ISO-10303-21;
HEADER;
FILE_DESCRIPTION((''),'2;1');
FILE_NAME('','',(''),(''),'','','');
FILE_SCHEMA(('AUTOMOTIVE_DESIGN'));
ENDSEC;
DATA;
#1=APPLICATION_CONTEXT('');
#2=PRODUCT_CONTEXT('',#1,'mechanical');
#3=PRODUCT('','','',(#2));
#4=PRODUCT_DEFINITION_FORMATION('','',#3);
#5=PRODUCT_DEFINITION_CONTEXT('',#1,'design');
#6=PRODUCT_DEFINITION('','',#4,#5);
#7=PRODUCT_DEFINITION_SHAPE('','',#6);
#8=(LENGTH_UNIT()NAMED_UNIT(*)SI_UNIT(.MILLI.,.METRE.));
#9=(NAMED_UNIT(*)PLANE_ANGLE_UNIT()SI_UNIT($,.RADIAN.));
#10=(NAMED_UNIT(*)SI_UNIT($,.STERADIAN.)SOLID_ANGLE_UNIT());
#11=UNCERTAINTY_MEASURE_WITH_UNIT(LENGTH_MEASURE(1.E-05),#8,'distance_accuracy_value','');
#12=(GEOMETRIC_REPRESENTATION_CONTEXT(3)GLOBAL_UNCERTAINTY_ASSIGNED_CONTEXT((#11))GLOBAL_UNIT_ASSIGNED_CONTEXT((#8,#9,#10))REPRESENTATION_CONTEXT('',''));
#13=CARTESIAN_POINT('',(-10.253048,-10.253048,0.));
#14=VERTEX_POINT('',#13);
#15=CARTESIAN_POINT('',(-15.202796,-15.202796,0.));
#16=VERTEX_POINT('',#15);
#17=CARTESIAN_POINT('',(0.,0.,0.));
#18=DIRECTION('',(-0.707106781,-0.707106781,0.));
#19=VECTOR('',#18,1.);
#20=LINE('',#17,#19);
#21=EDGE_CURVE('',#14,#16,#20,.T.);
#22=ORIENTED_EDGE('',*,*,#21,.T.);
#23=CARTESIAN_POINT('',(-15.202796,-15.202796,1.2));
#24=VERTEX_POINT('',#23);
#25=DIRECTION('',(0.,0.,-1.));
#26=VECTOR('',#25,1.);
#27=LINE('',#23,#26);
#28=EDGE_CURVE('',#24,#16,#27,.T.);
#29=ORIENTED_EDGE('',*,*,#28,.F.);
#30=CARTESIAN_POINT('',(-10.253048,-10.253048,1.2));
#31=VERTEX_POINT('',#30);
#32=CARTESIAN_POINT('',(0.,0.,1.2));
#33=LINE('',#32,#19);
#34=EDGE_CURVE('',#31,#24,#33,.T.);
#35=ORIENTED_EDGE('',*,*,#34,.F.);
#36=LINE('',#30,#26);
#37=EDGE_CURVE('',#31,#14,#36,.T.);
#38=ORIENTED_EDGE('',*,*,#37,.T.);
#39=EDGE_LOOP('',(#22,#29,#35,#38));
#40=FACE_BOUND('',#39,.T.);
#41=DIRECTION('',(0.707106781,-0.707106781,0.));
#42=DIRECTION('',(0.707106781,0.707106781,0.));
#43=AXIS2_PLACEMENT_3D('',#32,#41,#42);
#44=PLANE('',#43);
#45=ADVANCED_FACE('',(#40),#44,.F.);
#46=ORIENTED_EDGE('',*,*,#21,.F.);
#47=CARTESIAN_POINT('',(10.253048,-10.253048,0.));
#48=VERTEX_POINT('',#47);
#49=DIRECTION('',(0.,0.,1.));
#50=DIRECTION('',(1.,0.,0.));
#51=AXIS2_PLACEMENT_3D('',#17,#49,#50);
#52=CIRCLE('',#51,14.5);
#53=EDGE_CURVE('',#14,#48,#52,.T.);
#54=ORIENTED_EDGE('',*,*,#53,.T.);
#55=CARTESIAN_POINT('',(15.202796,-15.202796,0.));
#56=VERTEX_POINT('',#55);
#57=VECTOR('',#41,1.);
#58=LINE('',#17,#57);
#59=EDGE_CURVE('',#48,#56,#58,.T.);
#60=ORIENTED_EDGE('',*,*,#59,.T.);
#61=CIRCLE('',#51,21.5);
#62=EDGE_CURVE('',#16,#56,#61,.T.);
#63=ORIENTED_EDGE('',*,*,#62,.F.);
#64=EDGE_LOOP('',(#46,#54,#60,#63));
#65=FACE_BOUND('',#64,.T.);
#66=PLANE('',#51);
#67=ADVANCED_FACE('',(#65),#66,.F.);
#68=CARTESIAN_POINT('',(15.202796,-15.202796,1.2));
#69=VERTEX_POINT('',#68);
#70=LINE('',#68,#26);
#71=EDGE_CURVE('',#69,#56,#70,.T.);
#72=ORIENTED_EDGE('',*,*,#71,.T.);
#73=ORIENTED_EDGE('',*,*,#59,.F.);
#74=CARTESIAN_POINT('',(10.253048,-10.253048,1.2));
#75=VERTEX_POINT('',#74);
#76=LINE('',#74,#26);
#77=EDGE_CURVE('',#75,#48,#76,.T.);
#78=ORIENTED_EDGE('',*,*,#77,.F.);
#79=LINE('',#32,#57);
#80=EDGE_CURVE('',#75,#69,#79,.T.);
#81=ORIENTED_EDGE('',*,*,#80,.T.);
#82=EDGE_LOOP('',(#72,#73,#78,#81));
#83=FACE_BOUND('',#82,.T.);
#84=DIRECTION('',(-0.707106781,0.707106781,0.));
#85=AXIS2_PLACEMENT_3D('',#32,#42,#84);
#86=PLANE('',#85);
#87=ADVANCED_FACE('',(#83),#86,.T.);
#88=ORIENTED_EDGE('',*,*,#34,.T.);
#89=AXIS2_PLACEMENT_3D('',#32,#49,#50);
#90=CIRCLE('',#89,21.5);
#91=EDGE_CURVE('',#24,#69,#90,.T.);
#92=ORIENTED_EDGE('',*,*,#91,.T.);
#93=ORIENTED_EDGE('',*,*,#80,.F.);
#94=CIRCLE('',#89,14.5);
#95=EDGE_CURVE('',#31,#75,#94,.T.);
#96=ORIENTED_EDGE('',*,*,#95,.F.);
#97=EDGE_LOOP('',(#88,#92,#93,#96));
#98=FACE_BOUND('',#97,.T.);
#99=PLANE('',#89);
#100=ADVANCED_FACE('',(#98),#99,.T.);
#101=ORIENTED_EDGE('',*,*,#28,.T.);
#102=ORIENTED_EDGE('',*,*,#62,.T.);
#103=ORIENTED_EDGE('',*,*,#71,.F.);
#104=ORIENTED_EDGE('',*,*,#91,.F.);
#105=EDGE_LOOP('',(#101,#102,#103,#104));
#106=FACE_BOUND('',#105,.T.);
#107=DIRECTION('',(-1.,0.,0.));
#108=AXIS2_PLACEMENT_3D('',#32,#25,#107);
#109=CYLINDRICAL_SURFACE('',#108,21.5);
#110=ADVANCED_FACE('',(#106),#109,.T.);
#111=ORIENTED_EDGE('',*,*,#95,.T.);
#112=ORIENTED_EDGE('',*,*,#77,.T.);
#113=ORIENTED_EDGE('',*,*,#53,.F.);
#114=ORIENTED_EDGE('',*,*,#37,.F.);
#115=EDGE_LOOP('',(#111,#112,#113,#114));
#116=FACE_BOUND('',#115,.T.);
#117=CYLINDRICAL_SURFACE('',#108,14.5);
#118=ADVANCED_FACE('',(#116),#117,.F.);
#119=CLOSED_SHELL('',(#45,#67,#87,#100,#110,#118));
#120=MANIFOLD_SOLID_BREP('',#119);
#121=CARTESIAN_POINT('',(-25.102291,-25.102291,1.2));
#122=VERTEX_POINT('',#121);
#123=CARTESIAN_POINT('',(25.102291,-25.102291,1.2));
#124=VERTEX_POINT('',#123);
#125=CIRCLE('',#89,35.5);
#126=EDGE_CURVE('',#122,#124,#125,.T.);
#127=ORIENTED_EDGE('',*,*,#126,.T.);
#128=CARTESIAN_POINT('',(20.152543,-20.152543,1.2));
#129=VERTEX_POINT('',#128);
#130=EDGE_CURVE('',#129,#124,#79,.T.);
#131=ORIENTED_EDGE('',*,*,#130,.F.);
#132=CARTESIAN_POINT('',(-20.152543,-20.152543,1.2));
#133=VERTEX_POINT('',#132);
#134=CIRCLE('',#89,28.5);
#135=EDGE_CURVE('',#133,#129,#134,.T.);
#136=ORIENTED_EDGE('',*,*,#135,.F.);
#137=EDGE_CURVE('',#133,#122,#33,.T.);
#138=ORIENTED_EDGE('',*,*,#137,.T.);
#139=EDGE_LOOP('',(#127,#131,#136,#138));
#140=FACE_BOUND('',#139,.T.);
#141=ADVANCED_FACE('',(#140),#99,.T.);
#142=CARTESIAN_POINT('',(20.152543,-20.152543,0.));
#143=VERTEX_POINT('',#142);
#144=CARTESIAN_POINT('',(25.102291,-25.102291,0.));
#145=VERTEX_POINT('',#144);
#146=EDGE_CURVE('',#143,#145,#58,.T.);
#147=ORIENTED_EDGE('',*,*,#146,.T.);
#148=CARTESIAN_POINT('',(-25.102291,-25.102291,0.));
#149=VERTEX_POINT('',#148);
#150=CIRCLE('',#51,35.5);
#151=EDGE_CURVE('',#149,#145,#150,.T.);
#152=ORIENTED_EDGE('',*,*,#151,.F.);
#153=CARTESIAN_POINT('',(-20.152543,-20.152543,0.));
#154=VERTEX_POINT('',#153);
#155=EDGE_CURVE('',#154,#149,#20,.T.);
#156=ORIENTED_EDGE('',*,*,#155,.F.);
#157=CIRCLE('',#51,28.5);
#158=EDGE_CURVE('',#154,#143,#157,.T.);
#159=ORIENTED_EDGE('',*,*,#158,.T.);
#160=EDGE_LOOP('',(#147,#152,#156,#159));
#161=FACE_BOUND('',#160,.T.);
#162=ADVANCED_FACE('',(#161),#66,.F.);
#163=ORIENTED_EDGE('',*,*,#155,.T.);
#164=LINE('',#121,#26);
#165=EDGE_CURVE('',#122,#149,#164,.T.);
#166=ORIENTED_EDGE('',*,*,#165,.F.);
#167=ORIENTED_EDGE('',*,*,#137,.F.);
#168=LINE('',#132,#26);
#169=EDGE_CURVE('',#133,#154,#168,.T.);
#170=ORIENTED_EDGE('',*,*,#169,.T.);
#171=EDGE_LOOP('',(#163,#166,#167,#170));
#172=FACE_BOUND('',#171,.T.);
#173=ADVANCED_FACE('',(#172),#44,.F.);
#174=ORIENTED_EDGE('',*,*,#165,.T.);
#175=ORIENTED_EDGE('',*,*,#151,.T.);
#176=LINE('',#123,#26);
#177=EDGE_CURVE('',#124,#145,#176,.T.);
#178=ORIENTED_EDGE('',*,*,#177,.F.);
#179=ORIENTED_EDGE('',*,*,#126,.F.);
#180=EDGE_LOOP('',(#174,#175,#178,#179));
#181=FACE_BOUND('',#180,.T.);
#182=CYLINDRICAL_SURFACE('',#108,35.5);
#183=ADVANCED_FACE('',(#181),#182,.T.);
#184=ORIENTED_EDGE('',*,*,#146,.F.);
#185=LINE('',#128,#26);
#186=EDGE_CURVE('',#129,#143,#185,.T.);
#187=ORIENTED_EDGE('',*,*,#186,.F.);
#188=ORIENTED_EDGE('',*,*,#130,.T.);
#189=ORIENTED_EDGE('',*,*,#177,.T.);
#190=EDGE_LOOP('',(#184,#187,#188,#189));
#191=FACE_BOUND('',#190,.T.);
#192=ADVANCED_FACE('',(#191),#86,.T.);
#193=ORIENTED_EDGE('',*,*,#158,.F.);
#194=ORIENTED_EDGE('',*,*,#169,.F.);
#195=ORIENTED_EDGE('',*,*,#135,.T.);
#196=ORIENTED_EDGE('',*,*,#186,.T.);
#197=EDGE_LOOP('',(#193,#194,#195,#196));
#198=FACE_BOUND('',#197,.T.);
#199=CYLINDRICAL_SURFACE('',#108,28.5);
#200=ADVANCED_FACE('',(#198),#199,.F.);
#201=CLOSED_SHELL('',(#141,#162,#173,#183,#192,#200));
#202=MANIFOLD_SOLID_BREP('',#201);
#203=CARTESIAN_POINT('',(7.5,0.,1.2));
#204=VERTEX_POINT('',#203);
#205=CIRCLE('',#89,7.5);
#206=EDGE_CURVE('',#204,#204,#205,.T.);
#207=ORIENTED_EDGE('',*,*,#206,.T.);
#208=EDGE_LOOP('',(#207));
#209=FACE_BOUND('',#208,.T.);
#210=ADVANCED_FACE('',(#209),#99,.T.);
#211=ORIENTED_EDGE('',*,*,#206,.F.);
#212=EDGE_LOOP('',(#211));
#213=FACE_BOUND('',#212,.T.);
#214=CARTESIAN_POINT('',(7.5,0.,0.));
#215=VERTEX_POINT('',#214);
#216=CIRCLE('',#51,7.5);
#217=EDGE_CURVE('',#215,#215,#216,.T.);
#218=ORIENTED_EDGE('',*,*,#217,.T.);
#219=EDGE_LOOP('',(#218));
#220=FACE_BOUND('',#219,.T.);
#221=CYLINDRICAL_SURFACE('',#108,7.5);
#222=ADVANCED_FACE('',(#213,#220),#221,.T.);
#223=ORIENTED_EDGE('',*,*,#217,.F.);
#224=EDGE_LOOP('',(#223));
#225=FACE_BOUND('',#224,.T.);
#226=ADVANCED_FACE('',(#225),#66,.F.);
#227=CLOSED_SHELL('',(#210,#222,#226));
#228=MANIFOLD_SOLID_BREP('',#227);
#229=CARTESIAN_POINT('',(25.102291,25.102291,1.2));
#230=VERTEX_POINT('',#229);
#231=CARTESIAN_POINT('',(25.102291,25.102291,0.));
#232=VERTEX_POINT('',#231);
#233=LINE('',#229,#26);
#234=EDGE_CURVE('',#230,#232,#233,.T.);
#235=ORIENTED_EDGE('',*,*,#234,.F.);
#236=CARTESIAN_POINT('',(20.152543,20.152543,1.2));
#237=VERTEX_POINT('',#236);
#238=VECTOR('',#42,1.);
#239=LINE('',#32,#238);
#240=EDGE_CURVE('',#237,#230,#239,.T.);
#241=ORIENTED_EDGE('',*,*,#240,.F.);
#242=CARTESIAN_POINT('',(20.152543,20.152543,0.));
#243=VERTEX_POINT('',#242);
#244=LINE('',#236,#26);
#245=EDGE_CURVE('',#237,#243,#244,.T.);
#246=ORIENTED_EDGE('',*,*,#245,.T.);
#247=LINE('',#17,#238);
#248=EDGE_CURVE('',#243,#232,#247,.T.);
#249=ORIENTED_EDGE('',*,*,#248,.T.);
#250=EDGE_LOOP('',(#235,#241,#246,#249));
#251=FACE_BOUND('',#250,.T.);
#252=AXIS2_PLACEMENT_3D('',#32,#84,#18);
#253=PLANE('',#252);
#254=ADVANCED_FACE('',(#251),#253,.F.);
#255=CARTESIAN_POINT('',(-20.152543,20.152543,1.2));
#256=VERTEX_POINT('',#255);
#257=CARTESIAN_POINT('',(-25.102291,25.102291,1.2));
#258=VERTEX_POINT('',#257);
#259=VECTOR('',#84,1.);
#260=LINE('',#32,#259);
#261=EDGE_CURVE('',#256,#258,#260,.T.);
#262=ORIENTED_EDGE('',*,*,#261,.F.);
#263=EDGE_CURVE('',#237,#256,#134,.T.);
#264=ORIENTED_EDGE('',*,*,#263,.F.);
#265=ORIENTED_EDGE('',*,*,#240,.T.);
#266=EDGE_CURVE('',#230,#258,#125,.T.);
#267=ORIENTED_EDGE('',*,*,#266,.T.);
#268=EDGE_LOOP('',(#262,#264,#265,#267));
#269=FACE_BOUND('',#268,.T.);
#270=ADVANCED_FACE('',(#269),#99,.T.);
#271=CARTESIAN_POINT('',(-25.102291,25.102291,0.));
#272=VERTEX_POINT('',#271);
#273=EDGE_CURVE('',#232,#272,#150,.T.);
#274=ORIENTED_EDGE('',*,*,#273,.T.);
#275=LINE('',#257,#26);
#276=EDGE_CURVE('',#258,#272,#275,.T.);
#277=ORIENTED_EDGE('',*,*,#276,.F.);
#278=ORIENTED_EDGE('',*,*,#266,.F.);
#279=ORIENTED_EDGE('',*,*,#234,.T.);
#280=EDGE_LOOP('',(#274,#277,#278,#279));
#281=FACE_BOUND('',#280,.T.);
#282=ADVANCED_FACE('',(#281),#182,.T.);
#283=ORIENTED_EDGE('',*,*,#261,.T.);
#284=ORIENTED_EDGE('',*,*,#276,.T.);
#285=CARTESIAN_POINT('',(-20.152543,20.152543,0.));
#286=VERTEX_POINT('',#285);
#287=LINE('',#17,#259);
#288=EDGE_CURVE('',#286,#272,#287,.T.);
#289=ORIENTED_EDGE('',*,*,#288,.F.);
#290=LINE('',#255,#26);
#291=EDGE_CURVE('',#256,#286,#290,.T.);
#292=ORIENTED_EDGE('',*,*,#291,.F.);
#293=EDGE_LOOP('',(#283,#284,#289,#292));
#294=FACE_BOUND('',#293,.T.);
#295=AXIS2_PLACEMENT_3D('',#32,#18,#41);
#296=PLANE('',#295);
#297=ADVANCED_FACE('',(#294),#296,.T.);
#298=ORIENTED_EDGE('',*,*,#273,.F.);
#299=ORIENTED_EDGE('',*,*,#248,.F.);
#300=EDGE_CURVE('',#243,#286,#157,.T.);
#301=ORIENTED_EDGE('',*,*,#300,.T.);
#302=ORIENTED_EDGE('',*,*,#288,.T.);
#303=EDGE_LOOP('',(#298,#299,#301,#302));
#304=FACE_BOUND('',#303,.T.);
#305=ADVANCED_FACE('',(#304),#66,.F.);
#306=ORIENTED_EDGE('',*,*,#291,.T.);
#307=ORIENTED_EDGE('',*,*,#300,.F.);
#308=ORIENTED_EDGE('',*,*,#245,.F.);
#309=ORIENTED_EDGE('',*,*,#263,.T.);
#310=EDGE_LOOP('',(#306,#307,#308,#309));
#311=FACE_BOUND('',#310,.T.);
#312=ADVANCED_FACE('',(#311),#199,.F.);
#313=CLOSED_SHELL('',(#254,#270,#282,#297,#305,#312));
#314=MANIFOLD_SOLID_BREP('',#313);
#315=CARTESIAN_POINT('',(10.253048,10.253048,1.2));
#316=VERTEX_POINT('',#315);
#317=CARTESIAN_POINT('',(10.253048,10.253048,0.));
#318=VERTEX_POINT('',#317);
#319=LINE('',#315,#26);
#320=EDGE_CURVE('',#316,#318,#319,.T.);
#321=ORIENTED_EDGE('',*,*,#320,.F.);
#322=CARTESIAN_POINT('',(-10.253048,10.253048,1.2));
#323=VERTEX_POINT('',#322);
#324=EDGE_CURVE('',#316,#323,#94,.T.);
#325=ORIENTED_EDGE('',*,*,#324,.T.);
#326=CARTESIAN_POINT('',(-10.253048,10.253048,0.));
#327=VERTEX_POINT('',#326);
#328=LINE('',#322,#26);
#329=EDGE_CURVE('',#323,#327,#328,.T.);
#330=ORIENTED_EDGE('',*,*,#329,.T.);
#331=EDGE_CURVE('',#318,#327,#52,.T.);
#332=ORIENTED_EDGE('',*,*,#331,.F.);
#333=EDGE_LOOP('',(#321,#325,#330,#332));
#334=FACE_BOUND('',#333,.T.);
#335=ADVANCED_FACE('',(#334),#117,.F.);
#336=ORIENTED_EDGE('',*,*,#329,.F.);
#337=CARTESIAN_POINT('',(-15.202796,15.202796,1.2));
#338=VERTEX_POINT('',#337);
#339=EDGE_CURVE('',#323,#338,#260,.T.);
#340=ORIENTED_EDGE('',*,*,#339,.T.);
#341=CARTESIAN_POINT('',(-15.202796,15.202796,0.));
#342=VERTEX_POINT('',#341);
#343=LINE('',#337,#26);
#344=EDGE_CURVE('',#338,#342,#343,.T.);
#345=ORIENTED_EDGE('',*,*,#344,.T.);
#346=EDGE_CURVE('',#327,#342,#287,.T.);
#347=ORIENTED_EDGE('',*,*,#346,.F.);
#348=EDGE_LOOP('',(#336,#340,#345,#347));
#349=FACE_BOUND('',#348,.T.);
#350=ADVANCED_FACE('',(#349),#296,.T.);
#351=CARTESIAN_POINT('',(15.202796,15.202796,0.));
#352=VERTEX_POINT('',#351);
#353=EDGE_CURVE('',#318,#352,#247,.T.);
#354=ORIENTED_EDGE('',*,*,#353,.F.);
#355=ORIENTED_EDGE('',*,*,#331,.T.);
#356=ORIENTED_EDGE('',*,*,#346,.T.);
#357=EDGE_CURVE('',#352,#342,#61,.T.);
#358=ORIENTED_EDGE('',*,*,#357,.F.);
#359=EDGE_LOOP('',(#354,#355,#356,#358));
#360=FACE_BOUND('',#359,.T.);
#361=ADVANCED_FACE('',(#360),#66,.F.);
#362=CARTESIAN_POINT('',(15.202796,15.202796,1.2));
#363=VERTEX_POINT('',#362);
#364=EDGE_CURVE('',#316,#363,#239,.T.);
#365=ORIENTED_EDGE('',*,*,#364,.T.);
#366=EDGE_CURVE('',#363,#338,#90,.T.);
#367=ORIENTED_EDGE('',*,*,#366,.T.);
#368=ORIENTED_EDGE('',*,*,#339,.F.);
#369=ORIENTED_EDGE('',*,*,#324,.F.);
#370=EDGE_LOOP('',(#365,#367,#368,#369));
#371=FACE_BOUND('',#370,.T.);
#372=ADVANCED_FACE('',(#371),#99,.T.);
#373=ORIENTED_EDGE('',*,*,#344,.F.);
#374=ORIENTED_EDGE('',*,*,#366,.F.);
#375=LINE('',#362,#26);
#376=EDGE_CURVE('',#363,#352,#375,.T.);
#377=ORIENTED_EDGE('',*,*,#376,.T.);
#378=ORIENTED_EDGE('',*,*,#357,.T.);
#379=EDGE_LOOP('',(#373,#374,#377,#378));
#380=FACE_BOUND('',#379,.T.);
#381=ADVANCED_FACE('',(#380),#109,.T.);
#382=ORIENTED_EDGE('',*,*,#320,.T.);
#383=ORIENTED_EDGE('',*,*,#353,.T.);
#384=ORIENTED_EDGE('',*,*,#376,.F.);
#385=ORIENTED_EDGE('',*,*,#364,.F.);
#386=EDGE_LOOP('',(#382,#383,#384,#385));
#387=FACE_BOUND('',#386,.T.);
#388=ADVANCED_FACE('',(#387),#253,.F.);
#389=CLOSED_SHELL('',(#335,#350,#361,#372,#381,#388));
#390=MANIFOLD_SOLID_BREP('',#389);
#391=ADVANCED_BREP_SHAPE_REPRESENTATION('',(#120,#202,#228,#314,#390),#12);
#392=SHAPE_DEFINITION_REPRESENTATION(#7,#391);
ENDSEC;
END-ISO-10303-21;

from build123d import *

# Parameters (mm, degrees)
SKICA1_R                  = 7.5
P_IDAT_VYSUNUT_M1_DEPTH   = 1.2
P_IDAT_VYSUNUT_M1_2_DEPTH = 1.2
P_IDAT_VYSUNUT_M1_3_DEPTH = 1.2
P_IDAT_VYSUNUT_M1_4_DEPTH = 1.2
P_IDAT_VYSUNUT_M1_5_DEPTH = 1.2


with BuildPart() as part:
    # Skica1 → Přidat vysunutím1 (new body)
    with BuildSketch(Plane.XY):
        Circle(SKICA1_R)
    extrude(amount=P_IDAT_VYSUNUT_M1_DEPTH)


with BuildPart() as body_2:
    # Skica1 → P_idat vysunut_m1 2 (new body)
    with BuildSketch(Plane.XY):
        with BuildLine():
            ThreePointArc((-10.253048327, 10.253048327), (0, 14.5), (10.253048327, 10.253048327))
            Line((10.253048327, 10.253048327), (15.202795796, 15.202795796))
            ThreePointArc((15.202795796, 15.202795796), (0, 21.5), (-15.202795796, 15.202795796))
            Line((-15.202795796, 15.202795796), (-10.253048327, 10.253048327))
        make_face()
    extrude(amount=P_IDAT_VYSUNUT_M1_2_DEPTH)


with BuildPart() as body_3:
    # Skica1 → P_idat vysunut_m1 3 (new body)
    with BuildSketch(Plane.XY):
        with BuildLine():
            ThreePointArc((10.253048327, -10.253048327), (0, -14.5), (-10.253048327, -10.253048327))
            Line((-10.253048327, -10.253048327), (-15.202795796, -15.202795796))
            ThreePointArc((-15.202795796, -15.202795796), (0, -21.5), (15.202795796, -15.202795796))
            Line((15.202795796, -15.202795796), (10.253048327, -10.253048327))
        make_face()
    extrude(amount=P_IDAT_VYSUNUT_M1_3_DEPTH)


with BuildPart() as body_4:
    # Skica1 → P_idat vysunut_m1 4 (new body)
    with BuildSketch(Plane.XY):
        with BuildLine():
            ThreePointArc((-20.152543264, 20.152543264), (0, 28.5), (20.152543264, 20.152543264))
            Line((20.152543264, 20.152543264), (25.102290732, 25.102290732))
            ThreePointArc((25.102290732, 25.102290732), (0, 35.5), (-25.102290732, 25.102290732))
            Line((-25.102290732, 25.102290732), (-20.152543264, 20.152543264))
        make_face()
    extrude(amount=P_IDAT_VYSUNUT_M1_4_DEPTH)


with BuildPart() as body_5:
    # Skica1 → P_idat vysunut_m1 5 (new body)
    with BuildSketch(Plane.XY):
        with BuildLine():
            ThreePointArc((20.152543264, -20.152543264), (0, -28.5), (-20.152543264, -20.152543264))
            Line((-20.152543264, -20.152543264), (-25.102290732, -25.102290732))
            ThreePointArc((-25.102290732, -25.102290732), (0, -35.5), (25.102290732, -25.102290732))
            Line((25.102290732, -25.102290732), (20.152543264, -20.152543264))
        make_face()
    extrude(amount=P_IDAT_VYSUNUT_M1_5_DEPTH)


solid = Compound([part.part, body_2.part, body_3.part, body_4.part, body_5.part])
